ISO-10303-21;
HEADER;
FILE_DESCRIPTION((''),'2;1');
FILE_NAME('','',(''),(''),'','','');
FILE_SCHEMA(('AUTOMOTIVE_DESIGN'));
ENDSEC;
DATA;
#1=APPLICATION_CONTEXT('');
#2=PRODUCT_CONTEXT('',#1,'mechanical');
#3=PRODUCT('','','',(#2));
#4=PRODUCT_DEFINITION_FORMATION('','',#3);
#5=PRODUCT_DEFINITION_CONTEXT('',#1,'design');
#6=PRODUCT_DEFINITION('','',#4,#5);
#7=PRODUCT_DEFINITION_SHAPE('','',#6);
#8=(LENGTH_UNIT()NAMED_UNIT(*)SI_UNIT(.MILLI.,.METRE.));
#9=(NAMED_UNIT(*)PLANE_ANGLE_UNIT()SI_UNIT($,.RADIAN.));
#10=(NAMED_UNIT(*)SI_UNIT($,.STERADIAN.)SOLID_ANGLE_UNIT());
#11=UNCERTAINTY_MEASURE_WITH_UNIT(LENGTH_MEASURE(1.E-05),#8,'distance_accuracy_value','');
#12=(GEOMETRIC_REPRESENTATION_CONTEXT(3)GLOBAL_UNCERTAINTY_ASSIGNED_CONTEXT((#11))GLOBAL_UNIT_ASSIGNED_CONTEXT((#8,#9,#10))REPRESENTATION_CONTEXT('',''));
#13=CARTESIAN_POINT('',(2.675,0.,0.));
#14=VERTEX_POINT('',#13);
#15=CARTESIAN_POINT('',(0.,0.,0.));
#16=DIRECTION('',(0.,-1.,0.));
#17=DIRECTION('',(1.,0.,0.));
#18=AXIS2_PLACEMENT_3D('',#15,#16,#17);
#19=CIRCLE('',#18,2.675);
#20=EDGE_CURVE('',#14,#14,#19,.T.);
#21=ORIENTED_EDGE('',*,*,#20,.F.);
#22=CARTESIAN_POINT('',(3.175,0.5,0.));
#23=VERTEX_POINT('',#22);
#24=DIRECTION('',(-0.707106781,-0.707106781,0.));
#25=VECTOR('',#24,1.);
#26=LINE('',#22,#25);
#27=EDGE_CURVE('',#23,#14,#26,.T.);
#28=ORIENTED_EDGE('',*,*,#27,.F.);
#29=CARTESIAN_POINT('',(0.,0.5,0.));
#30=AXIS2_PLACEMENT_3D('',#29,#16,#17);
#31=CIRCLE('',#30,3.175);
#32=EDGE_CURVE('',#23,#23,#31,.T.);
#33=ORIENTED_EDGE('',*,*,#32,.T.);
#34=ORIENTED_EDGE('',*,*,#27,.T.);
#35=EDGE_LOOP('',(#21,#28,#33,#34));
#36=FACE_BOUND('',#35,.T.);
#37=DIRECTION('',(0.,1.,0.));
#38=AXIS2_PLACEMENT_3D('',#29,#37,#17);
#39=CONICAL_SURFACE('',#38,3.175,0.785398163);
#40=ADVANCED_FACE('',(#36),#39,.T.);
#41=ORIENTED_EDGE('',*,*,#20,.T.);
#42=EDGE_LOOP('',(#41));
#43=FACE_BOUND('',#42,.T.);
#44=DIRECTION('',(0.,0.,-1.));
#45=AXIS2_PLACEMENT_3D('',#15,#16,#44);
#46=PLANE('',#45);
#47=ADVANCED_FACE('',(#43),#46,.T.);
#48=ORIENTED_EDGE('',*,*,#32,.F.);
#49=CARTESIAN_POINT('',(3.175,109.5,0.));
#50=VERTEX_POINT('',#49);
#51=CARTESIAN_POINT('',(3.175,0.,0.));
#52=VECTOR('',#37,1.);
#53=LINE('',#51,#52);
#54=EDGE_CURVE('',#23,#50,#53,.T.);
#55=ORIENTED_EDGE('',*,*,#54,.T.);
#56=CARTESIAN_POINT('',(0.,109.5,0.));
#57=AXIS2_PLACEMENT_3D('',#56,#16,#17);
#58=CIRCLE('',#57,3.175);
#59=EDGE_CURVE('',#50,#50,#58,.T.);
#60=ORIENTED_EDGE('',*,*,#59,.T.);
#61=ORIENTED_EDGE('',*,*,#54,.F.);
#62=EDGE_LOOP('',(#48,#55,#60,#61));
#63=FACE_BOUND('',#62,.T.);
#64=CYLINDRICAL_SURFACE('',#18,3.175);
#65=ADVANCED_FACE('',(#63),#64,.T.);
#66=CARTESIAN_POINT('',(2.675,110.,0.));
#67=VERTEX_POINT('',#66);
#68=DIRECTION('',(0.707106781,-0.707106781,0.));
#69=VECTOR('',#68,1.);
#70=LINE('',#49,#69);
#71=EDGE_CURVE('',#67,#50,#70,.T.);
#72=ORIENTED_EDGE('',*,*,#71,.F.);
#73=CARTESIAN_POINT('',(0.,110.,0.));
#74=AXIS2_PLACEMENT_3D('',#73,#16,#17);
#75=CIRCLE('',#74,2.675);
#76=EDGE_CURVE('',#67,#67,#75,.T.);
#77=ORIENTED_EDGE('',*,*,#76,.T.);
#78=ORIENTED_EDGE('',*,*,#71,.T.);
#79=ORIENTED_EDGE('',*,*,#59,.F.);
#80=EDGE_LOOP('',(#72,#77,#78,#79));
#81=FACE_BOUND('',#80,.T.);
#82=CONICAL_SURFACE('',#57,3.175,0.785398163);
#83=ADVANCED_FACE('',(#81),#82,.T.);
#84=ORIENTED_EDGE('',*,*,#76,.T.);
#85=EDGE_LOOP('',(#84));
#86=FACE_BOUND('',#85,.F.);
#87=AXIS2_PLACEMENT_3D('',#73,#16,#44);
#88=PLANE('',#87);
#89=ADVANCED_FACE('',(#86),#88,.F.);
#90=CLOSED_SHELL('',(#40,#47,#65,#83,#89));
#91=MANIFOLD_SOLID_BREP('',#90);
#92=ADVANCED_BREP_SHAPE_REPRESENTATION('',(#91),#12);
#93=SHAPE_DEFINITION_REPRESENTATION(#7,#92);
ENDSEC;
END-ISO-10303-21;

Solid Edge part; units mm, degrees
sketch "Sketch1" plane through (0, 0, 0) normal (0, -1, 0) x (1, 0, 0)
  circle A0 centre (0, 0) radius 3.175
extrude "Protrusion1" add sketch "Sketch1" against normal blind 110
chamfer "Chamfer_2" distance 0.5 angle 45 2 edges at (-3.175, 0, 0) (-3.175, 110, 0) measured on face at (-2.0532, 110, 2.1802)
cosmetic_thread "Thread1" size "1/4-20 UNC"
